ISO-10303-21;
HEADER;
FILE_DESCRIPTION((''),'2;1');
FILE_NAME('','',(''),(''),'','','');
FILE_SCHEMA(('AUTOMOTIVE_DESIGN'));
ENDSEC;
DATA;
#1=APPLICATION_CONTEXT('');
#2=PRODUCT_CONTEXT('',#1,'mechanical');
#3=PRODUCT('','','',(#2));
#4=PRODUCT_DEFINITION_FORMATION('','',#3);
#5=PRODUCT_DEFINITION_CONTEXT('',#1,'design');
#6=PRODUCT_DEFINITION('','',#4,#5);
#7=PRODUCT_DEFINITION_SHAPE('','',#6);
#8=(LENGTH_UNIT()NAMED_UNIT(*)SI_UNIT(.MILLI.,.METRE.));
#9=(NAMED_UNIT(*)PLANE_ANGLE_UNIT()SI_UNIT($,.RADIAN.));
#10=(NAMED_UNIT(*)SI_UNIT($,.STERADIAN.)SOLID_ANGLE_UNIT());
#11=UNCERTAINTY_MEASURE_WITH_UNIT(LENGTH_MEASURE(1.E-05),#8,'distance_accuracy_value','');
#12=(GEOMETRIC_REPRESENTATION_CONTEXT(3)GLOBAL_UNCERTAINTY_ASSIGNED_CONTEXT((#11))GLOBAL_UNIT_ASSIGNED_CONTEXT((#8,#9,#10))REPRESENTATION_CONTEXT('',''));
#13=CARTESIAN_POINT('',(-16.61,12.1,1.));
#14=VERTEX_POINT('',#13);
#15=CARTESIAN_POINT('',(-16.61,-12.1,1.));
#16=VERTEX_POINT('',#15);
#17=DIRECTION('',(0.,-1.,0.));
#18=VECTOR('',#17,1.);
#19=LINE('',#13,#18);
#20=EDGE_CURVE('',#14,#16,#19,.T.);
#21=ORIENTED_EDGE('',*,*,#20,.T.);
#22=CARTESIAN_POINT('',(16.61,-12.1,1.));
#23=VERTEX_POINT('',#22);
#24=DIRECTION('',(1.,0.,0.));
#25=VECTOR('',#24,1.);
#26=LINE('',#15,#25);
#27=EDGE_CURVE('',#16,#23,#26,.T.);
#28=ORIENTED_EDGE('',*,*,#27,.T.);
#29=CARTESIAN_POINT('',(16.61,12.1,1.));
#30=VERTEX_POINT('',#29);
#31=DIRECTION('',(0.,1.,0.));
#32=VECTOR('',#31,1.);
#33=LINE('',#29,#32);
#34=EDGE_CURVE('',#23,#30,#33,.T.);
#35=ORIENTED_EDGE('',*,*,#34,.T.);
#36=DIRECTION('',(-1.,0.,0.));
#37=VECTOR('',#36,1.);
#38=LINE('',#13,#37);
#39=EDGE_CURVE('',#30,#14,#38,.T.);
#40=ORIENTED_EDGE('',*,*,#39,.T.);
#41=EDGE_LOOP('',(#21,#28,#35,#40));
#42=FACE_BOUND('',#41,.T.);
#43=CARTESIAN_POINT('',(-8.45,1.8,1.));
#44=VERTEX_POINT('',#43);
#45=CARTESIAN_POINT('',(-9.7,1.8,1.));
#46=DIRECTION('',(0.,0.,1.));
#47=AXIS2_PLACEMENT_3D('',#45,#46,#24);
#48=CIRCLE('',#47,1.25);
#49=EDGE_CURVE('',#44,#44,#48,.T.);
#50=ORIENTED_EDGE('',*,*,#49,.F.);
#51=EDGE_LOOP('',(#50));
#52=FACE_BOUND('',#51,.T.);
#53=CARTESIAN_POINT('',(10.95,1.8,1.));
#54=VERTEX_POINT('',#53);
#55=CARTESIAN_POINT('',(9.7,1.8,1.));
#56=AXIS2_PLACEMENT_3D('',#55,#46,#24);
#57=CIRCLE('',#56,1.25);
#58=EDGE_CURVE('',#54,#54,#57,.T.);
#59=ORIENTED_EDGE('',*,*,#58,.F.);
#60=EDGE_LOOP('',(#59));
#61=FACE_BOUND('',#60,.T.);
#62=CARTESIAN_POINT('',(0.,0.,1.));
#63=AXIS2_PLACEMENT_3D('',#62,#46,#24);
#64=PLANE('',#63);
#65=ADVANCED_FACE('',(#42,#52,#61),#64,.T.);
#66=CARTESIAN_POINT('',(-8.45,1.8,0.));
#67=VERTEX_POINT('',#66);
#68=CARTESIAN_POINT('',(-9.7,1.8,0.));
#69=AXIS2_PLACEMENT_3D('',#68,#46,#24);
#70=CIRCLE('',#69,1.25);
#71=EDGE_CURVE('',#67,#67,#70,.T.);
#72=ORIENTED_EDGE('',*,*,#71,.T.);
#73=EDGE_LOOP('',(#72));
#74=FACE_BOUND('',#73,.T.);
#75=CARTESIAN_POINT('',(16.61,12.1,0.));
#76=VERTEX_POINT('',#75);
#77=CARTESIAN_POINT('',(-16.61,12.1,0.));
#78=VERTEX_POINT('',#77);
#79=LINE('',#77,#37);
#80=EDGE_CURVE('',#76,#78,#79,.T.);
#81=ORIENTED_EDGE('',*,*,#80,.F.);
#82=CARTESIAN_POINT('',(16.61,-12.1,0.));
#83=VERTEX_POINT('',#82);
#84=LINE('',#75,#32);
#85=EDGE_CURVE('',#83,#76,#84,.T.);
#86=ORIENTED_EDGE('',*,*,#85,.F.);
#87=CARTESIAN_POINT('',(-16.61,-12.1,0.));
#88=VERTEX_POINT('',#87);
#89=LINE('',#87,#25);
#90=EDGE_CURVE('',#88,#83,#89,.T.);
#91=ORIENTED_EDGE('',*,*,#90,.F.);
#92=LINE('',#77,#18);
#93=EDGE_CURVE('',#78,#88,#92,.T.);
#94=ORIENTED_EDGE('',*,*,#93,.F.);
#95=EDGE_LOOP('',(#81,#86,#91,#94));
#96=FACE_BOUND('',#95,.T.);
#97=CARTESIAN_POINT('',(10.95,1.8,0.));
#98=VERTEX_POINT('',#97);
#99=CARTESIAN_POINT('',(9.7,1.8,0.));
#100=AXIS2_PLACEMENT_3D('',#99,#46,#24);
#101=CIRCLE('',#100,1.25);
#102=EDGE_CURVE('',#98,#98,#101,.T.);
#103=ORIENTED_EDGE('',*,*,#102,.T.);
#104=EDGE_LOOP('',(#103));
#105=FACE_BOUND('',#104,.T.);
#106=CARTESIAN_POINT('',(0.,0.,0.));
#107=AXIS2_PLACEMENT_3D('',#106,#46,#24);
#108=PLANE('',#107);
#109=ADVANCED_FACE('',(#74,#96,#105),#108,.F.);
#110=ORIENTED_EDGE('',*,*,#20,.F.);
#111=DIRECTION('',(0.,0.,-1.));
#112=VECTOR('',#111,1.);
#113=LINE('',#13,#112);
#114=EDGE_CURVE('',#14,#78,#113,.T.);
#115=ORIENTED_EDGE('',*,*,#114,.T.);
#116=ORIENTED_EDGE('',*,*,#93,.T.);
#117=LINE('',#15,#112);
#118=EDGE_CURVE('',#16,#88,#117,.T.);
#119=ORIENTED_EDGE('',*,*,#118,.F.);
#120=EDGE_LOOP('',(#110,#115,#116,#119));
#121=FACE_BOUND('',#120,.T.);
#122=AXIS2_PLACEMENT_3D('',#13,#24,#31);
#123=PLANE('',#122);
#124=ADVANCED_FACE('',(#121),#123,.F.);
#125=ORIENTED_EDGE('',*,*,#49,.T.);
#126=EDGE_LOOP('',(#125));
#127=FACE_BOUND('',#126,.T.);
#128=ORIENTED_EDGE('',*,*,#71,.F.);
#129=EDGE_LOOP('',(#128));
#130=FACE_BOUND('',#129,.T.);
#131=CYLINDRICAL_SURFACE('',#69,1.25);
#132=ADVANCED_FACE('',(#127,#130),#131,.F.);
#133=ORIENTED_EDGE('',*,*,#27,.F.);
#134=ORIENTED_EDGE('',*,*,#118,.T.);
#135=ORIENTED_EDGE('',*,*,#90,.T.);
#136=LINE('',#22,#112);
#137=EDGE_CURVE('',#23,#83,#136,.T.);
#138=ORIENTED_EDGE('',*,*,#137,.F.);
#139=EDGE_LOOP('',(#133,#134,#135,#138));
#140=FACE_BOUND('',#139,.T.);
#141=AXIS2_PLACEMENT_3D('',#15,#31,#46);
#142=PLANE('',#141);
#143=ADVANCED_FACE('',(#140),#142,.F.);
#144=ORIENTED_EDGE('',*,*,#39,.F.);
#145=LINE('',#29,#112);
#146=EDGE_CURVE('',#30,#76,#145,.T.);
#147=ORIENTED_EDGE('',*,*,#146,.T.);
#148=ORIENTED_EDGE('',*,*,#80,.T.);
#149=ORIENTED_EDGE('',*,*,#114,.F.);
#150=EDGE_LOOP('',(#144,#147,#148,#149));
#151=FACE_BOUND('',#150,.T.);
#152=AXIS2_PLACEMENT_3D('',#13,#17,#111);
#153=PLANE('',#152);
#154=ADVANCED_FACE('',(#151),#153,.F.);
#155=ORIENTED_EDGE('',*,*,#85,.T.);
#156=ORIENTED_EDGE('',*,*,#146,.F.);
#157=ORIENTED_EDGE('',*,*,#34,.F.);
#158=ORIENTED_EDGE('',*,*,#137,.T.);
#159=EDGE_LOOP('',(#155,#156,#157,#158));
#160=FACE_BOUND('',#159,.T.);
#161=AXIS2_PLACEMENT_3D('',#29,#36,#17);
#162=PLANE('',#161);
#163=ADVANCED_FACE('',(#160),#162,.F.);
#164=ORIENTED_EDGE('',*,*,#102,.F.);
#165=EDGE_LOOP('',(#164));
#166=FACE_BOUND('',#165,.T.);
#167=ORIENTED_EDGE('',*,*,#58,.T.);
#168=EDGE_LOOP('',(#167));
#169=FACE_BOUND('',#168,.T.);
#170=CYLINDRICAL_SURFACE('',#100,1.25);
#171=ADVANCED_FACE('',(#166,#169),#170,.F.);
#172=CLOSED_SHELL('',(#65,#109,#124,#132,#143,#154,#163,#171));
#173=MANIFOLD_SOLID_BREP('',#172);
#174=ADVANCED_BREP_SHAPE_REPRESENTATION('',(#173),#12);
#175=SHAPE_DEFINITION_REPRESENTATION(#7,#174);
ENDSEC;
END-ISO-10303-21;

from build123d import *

# Parameters (mm, degrees)
SKETCH1_W           = 33.22
SKETCH1_H           = 24.2
BOSS_EXTRUDE1_DEPTH = 1
SKETCH2_R           = 1.25
CUT_EXTRUDE1_DEPTH  = 1


with BuildPart() as part:
    # Sketch1 → Boss-Extrude1 (new body)
    with BuildSketch(Plane.XY):
        Rectangle(SKETCH1_W, SKETCH1_H)
    extrude(amount=BOSS_EXTRUDE1_DEPTH)

    # Sketch2 → Cut-Extrude1 (cut)
    with BuildSketch(Plane.XY.offset(1)):
        with Locations((9.7, 1.8)):
            Circle(SKETCH2_R)
        with Locations((-9.7, 1.8)):
            Circle(SKETCH2_R)
    extrude(amount=-CUT_EXTRUDE1_DEPTH, mode=Mode.SUBTRACT)


solid = part.part
